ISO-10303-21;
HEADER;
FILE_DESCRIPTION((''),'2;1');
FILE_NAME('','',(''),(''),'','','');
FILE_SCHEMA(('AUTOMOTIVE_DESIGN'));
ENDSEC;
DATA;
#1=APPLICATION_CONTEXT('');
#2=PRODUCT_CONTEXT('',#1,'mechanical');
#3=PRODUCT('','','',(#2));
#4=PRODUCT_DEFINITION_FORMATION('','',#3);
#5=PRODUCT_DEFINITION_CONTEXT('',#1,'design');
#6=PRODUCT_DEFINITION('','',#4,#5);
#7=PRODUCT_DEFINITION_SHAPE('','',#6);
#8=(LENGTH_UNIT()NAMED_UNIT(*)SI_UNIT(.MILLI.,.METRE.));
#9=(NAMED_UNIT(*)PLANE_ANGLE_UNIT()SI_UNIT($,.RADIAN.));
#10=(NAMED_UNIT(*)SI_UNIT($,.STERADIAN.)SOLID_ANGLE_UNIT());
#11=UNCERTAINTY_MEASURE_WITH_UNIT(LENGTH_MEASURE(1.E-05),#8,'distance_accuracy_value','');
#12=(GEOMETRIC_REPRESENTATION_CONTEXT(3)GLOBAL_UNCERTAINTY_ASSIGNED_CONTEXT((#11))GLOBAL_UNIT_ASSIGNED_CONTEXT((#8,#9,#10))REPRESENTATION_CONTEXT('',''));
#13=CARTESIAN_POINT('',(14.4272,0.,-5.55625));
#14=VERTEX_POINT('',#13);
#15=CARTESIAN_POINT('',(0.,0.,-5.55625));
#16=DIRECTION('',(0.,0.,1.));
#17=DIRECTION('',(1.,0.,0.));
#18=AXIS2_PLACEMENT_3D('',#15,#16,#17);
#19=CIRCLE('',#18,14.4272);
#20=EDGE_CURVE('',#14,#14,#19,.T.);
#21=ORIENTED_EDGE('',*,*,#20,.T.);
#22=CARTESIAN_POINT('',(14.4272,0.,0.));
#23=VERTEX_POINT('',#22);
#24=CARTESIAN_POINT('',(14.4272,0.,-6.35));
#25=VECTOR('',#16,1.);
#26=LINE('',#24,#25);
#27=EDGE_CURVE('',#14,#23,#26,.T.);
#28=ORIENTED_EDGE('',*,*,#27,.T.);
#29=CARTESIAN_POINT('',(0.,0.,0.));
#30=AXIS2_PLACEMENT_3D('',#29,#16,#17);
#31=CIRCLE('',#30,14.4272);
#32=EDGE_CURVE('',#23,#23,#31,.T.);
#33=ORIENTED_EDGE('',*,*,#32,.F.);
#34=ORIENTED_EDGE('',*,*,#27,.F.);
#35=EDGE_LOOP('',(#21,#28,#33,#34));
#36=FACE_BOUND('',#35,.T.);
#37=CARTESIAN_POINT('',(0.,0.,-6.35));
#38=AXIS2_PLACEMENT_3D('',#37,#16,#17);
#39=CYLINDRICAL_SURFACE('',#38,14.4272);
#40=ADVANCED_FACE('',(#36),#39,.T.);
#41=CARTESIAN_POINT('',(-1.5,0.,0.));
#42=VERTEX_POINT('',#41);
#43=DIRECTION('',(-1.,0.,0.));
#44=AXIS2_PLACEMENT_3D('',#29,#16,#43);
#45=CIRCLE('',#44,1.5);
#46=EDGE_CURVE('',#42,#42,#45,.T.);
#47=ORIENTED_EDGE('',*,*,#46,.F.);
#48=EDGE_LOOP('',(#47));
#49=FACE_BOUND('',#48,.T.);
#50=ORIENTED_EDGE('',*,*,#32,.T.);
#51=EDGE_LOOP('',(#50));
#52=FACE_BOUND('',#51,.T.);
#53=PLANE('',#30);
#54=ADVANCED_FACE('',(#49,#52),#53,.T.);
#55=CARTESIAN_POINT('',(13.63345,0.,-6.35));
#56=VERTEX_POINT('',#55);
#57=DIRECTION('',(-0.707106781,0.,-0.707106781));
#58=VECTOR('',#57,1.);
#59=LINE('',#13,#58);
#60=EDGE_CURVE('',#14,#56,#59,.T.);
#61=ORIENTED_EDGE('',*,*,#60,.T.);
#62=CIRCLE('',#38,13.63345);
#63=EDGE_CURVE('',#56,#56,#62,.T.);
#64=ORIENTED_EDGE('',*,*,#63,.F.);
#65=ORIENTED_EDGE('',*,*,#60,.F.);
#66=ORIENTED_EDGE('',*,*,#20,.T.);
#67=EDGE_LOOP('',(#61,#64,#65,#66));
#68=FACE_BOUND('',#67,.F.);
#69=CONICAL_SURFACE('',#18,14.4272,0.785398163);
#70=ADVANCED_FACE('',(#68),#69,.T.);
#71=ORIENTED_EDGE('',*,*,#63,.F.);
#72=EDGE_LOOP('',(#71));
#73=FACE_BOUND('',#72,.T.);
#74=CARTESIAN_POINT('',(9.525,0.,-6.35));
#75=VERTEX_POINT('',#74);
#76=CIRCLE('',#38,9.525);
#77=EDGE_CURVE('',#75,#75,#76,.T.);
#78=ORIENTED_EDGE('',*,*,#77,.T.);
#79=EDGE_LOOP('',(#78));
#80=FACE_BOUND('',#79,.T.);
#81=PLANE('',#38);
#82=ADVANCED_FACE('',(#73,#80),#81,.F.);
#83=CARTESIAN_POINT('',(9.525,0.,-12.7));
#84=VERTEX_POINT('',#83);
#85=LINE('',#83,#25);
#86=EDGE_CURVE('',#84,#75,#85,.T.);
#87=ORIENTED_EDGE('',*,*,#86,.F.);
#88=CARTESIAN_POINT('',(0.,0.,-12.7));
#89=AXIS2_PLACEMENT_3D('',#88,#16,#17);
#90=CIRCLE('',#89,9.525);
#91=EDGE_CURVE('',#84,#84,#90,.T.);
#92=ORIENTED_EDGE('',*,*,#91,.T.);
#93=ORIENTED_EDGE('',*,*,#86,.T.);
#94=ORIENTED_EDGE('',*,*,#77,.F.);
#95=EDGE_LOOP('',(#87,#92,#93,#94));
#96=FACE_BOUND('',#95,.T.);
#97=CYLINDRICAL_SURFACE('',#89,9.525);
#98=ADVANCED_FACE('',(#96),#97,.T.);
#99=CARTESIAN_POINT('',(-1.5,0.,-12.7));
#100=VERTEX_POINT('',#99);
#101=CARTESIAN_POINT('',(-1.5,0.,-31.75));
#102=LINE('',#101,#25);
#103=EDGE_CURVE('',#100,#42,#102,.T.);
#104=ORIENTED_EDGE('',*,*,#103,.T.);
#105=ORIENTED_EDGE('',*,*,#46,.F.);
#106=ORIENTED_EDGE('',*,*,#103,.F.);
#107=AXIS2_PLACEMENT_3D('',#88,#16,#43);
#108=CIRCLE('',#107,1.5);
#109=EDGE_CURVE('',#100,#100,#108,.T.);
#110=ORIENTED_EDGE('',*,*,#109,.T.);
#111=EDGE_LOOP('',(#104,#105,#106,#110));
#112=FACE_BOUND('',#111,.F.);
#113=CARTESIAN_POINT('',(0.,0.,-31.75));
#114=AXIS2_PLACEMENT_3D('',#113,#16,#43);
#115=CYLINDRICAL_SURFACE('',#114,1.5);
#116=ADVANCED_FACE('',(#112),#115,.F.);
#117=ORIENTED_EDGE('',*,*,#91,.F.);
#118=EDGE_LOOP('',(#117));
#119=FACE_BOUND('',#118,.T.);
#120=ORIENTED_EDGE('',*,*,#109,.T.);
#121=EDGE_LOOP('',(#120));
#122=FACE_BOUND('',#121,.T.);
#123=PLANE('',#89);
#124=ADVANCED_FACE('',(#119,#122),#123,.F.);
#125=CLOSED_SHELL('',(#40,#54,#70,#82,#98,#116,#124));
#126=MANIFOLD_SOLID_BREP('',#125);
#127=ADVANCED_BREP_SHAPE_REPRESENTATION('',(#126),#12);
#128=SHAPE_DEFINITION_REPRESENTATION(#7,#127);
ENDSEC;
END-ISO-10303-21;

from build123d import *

# Parameters (mm, degrees)
F3_D     = 2.0574
F5_D     = 3
F5_DEPTH = 19.05
F5_TIP   = 0.9012909285
F6_SIZE  = 0.79375


with BuildPart() as f1:
    # F0 (on Front) → F1 (revolve)
    with BuildSketch(Plane.XZ):
        Polygon((14.4272, 0), (0, 0), (0, -12.7), (9.525, -12.7), (9.525, -6.35), (14.4272, -6.35), align=None)
    revolve(axis=Axis((0, 0, -6.35), (0, 0, 1)))

    # F3 (through all)
    with Locations(Plane.XY):
        with Locations((0, 0)):
            Hole(F3_D / 2)

    # F5
    with Locations(Plane(origin=(0, 0, -12.7), x_dir=(1, 0, 0), z_dir=(0, 0, -1))):
        with Locations((0, 0)):
            Hole(F5_D / 2, depth=F5_DEPTH)
            with Locations((0, 0, -(F5_DEPTH + F5_TIP / 2))):  # 118° drill point
                Cone(0, F5_D / 2, F5_TIP, mode=Mode.SUBTRACT)

    # F6
    f6_edges = [f1.edges().sort_by_distance(p)[0] for p in [
        (-14.4272, 0, -6.35),
    ]]
    chamfer(f6_edges, length=F6_SIZE)


solid = f1.part
